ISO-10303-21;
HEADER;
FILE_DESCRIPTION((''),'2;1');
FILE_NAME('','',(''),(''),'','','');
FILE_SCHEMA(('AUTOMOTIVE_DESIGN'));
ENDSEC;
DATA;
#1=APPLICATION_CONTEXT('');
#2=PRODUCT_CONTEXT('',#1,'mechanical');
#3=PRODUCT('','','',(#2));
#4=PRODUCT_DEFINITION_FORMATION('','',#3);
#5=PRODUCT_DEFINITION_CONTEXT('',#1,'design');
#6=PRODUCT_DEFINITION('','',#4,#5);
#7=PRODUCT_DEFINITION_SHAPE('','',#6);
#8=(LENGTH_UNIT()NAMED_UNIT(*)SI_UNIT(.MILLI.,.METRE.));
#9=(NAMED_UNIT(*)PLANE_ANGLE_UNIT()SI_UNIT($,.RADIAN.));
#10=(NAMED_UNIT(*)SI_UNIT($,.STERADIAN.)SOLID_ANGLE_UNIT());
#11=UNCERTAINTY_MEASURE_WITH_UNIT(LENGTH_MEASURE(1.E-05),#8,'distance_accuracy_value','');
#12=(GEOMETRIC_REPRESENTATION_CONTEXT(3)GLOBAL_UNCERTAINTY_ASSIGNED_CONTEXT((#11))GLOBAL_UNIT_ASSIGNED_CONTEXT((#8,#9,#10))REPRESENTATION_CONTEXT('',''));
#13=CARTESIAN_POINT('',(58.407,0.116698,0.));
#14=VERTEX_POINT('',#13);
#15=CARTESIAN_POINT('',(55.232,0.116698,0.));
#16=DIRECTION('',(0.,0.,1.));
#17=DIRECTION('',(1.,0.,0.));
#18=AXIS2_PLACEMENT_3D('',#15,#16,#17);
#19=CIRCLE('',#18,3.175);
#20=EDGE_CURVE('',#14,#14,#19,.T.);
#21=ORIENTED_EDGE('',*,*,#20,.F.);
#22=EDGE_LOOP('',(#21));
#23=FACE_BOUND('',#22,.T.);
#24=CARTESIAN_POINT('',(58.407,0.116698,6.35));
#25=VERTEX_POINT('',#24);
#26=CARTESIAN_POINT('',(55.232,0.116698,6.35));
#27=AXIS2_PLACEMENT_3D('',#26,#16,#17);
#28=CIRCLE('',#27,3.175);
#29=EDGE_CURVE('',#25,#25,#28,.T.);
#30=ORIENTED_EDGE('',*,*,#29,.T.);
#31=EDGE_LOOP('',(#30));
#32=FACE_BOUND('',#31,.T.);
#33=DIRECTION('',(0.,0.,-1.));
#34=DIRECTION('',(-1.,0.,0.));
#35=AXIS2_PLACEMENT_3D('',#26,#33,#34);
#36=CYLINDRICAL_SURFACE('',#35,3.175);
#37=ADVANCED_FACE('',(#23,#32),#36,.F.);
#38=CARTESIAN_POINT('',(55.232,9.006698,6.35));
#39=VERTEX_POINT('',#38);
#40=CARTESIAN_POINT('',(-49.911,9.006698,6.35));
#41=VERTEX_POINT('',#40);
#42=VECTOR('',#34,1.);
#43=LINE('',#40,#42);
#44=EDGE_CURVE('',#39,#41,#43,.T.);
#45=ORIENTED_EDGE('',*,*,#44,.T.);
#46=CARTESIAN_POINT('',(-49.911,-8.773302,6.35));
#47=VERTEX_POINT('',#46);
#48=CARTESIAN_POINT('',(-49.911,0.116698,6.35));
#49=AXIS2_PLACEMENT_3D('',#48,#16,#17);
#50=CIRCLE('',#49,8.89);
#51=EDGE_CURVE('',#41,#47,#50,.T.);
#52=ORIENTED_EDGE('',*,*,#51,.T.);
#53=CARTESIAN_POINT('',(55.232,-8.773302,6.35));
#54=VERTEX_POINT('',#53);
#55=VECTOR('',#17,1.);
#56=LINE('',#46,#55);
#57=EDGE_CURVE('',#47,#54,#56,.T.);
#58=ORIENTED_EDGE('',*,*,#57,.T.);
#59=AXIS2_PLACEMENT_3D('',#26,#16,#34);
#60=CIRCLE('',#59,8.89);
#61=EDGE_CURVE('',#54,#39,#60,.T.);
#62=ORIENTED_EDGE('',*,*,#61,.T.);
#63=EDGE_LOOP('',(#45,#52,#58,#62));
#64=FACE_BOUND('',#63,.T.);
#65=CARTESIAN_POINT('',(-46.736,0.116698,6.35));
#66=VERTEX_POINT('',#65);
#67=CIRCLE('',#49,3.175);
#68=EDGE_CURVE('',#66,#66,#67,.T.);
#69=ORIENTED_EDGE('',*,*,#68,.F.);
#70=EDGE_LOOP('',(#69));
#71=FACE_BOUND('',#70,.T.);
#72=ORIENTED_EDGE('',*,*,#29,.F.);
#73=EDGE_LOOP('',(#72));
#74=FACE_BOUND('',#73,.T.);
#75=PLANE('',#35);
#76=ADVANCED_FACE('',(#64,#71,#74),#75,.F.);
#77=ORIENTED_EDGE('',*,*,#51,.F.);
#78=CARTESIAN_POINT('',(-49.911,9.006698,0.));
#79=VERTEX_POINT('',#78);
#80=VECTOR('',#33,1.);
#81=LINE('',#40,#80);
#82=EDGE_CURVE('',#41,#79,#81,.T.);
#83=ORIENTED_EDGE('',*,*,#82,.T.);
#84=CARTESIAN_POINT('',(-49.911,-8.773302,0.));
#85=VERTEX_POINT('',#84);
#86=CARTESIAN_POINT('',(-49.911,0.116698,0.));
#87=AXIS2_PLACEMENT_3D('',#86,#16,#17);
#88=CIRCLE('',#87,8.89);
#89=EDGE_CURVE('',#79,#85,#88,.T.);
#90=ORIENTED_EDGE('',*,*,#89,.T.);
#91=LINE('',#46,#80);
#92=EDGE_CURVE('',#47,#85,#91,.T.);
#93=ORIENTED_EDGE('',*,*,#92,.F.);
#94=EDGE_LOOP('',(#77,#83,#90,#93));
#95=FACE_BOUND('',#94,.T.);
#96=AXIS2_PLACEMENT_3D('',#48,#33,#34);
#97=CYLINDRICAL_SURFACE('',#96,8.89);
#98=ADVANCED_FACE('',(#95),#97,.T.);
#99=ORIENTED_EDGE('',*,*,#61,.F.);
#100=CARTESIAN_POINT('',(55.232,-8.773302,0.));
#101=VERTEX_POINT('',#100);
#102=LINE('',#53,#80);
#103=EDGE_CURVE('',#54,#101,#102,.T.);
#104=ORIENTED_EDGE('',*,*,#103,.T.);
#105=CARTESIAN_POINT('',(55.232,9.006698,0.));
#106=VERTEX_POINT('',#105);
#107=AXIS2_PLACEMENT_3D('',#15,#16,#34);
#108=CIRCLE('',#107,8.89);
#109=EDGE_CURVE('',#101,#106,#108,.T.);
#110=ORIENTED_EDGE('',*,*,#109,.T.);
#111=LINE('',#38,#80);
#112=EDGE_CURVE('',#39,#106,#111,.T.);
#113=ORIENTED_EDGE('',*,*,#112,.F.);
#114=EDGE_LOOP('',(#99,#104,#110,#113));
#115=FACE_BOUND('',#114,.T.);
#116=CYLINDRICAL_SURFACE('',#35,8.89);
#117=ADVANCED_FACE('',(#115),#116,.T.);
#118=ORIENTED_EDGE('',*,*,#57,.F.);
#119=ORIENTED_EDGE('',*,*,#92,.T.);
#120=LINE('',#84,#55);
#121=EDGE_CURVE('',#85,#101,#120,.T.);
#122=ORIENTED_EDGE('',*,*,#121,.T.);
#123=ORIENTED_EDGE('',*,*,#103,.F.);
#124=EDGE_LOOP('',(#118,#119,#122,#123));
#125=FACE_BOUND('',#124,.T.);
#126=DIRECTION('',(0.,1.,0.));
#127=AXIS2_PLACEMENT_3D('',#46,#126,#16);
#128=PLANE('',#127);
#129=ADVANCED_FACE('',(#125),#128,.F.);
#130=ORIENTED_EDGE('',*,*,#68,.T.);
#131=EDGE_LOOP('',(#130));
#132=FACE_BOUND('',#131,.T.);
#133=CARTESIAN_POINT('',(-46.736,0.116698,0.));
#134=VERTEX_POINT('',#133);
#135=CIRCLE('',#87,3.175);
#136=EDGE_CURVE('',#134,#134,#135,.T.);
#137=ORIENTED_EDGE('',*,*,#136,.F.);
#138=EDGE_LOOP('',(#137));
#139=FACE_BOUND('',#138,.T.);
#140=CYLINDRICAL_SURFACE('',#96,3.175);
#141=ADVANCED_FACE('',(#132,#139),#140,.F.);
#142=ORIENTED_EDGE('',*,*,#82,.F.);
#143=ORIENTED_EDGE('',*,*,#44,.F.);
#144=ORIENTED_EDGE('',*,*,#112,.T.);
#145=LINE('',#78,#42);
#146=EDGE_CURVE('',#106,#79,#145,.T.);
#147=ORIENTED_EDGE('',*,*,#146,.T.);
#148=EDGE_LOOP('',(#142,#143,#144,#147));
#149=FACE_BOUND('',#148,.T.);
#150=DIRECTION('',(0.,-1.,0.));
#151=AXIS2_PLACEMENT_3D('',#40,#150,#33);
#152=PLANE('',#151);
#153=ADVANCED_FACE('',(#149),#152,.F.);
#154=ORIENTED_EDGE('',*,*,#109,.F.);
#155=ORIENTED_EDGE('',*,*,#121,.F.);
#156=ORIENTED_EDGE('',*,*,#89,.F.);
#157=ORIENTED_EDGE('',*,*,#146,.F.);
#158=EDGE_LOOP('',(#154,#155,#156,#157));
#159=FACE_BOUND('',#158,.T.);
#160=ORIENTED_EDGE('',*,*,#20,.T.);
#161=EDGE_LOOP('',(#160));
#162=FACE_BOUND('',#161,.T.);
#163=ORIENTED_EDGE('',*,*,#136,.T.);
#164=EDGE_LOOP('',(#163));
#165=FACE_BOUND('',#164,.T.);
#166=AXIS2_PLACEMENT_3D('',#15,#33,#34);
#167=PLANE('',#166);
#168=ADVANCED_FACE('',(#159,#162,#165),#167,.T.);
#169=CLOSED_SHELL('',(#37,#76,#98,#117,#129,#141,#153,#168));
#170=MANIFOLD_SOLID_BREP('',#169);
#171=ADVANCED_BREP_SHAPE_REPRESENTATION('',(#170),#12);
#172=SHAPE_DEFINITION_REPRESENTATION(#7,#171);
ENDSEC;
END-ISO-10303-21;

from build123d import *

# Parameters (mm, degrees)
SKETCH1_R           = 3.175
BOSS_EXTRUDE1_DEPTH = 6.35


with BuildPart() as part:
    # Sketch1 → Boss-Extrude1 (new body)
    with BuildSketch(Plane.XY):
        with BuildLine():
            Line((-49.911, -8.773302225), (55.232, -8.773302225))
            ThreePointArc((55.232, -8.773302225), (64.122, 0.116697775), (55.232, 9.006697775))
            Line((55.232, 9.006697775), (-49.911, 9.006697775))
            ThreePointArc((-49.911, 9.006697775), (-58.801, 0.116697775), (-49.911, -8.773302225))
        make_face()
        with Locations((-49.911, 0.116697775)):
            Circle(SKETCH1_R, mode=Mode.SUBTRACT)
        with Locations((55.232, 0.116697775)):
            Circle(SKETCH1_R, mode=Mode.SUBTRACT)
    extrude(amount=BOSS_EXTRUDE1_DEPTH)


solid = part.part
